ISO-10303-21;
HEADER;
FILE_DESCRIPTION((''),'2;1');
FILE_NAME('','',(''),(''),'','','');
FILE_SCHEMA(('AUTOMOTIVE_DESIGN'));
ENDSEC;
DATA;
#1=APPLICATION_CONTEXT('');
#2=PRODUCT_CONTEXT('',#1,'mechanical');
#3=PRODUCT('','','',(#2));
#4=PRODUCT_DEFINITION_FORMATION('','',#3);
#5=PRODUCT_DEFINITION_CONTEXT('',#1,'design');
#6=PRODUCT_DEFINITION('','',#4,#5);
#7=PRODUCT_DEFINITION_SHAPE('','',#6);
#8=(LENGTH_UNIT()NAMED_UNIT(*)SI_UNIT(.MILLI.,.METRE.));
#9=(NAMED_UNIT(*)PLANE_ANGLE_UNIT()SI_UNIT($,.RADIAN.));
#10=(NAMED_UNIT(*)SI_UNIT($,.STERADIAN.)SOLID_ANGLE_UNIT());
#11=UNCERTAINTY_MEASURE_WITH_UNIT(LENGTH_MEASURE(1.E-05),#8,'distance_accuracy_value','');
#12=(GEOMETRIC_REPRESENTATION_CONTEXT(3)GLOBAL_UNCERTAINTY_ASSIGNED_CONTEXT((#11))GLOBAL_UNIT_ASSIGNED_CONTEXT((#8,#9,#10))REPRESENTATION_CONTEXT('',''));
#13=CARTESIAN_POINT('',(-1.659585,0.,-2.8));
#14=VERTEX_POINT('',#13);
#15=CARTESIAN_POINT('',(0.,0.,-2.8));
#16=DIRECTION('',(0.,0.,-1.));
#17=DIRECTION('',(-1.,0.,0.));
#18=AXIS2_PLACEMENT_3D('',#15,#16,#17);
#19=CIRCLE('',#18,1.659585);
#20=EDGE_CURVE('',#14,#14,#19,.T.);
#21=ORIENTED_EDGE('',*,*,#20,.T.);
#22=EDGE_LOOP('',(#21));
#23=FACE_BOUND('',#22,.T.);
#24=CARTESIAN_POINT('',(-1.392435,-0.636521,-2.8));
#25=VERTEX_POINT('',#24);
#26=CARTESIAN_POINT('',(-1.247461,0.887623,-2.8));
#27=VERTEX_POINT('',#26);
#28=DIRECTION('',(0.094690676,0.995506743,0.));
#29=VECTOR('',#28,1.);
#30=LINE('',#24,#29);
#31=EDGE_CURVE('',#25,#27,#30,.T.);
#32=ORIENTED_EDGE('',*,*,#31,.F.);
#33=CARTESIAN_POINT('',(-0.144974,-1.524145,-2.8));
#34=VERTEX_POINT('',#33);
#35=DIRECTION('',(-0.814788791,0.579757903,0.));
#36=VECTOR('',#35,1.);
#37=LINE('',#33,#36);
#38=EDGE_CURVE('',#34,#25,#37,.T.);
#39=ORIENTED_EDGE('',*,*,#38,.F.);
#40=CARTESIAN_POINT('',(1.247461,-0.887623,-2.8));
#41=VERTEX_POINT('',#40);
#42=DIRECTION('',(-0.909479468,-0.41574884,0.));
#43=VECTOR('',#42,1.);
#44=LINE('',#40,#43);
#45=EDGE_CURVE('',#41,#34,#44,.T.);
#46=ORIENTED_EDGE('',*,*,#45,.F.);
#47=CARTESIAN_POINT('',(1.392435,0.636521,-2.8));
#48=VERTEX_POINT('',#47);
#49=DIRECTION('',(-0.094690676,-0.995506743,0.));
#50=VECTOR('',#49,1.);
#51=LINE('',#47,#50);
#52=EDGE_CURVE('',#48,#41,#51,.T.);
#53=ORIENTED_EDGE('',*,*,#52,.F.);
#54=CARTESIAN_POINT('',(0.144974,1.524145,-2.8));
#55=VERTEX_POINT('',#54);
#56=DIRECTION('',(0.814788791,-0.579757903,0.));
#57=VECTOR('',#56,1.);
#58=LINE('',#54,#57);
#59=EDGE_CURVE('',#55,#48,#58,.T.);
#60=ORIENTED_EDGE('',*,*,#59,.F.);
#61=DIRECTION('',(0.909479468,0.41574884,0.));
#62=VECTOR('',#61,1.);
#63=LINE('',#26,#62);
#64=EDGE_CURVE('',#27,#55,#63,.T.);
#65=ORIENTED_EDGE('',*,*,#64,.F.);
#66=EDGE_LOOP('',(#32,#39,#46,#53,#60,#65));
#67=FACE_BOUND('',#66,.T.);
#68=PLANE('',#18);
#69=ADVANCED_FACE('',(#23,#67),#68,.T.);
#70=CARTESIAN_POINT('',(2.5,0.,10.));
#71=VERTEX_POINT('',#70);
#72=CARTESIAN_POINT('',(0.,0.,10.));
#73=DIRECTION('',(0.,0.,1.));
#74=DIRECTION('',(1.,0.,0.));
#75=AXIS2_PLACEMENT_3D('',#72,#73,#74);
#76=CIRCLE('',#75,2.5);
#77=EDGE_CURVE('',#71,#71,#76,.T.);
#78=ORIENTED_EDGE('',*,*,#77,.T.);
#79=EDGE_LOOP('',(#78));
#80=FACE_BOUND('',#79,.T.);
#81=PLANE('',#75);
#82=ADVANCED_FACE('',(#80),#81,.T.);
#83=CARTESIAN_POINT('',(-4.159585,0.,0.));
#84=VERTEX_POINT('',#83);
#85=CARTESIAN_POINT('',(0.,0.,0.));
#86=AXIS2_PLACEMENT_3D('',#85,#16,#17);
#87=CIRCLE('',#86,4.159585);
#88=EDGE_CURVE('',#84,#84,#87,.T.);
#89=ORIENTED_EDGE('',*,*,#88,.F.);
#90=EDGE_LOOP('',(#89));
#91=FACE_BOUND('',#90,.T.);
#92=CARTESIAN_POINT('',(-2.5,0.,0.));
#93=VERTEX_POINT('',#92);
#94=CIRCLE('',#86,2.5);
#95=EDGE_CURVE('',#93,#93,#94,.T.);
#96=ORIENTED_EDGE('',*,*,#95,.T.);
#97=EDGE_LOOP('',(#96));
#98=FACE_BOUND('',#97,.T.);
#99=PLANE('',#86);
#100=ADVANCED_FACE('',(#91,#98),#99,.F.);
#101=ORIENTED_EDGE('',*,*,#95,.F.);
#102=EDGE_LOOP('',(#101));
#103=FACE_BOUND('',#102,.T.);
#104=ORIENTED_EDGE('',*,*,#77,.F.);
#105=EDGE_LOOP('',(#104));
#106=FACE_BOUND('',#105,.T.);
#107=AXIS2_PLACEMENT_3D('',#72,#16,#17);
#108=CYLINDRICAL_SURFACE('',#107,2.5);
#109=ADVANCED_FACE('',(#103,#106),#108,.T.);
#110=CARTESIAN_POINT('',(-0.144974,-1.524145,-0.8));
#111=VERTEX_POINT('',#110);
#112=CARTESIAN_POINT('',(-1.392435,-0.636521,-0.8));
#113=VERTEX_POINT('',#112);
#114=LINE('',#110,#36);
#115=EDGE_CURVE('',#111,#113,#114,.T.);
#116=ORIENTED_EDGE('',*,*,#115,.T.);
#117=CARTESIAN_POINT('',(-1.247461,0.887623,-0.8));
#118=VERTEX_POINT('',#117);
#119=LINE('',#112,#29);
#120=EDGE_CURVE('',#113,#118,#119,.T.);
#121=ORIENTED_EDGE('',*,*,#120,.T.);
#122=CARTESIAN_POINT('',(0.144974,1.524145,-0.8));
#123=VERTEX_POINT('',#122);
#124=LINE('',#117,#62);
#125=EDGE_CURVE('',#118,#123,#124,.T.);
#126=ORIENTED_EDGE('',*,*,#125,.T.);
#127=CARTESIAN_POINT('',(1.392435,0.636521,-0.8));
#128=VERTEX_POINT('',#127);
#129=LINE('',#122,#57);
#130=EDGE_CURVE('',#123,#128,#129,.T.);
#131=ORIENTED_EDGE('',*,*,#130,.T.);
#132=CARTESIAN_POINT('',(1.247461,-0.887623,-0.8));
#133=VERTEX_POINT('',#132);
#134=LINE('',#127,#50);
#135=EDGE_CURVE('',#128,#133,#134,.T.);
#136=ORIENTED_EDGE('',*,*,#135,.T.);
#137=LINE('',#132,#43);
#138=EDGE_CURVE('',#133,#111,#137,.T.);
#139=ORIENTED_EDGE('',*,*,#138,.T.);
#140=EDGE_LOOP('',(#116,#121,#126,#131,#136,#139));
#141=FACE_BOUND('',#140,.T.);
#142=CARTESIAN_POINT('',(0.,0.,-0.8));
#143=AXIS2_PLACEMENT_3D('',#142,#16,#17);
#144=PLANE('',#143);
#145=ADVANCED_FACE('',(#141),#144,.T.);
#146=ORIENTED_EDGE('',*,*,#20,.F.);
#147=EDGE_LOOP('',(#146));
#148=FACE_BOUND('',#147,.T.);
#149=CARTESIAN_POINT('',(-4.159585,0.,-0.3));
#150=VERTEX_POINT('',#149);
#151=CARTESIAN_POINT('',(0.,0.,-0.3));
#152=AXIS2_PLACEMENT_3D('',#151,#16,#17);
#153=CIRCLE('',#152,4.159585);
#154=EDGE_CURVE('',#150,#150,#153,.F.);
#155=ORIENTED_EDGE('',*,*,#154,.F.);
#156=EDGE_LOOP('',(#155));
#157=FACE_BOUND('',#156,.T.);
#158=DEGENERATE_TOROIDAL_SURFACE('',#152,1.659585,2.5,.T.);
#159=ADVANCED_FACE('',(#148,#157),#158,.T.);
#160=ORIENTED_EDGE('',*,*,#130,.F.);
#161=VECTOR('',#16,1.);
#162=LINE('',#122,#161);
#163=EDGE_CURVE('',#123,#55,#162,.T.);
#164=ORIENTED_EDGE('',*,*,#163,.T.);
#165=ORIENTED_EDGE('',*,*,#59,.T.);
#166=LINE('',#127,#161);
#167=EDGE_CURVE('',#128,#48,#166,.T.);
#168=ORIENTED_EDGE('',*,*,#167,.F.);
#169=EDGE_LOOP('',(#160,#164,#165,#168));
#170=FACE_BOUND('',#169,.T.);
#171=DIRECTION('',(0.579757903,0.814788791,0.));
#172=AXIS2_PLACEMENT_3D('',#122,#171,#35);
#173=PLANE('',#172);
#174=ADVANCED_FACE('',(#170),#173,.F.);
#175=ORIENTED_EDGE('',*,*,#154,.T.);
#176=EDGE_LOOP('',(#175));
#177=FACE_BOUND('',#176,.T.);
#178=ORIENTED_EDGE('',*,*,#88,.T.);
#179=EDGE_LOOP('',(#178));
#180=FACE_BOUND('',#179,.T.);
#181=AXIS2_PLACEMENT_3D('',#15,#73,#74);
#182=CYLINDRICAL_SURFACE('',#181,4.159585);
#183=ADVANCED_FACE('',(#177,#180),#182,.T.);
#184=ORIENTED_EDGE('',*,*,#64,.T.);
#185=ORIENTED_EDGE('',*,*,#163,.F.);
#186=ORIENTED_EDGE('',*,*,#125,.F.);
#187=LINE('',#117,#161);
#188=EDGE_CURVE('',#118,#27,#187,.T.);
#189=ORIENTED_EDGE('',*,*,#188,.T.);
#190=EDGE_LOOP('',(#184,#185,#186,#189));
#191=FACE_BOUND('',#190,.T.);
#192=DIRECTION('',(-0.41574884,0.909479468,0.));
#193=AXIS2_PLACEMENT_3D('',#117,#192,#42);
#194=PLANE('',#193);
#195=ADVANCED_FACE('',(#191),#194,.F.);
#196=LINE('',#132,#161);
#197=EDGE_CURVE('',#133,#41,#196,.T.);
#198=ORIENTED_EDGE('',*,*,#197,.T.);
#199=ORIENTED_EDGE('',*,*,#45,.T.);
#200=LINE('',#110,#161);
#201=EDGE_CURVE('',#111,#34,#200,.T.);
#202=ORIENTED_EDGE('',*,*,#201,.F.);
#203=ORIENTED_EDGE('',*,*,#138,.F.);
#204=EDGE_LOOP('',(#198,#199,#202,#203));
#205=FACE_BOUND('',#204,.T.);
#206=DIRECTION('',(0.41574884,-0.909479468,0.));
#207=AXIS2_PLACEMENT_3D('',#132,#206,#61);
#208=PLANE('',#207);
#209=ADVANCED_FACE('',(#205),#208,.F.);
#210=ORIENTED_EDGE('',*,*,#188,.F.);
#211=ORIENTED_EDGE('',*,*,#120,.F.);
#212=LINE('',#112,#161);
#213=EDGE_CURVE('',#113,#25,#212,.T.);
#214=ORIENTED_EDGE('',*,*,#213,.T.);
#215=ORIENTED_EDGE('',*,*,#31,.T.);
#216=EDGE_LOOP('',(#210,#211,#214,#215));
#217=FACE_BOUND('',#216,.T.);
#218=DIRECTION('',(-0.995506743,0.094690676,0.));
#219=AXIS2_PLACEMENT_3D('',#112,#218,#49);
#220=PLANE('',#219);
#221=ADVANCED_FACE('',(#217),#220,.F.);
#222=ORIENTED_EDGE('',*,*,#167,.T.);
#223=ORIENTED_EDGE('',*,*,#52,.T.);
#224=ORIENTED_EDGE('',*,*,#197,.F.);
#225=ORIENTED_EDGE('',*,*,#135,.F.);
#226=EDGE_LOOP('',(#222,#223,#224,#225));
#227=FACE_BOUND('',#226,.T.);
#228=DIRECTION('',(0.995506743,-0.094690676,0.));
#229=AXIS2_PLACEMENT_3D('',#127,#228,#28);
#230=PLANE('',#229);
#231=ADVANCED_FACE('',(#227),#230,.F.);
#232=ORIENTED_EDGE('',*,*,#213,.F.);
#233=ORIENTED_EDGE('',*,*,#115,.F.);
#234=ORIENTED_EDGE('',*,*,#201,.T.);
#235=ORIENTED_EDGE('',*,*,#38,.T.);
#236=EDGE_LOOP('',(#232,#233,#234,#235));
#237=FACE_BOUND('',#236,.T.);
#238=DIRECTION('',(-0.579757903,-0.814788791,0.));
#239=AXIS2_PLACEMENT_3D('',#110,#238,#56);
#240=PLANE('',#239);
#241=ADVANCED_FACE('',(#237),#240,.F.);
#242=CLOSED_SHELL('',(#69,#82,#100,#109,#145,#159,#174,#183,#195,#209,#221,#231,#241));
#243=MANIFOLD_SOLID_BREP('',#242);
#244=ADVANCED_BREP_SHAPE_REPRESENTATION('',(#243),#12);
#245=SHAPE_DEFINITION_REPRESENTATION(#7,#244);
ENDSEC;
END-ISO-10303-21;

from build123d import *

# Parameters (mm, degrees)
SKETCH1_R           = 2.5
BOSS_EXTRUDE1_DEPTH = 10
SKETCH2_R           = 4.159584877
BOSS_EXTRUDE2_DEPTH = 2.8
FILLET1_R           = 2.5
CUT_EXTRUDE1_DEPTH  = 2


with BuildPart() as part:
    # Sketch1 → Boss-Extrude1 (new body)
    with BuildSketch(Plane.XY):
        Circle(SKETCH1_R)
    extrude(amount=BOSS_EXTRUDE1_DEPTH)

    # Sketch2 → Boss-Extrude2 (add)
    with BuildSketch(Plane(origin=(0, 0, 0), x_dir=(-1, 0, 0), z_dir=(0, 0, -1))):
        Circle(SKETCH2_R)
    extrude(amount=BOSS_EXTRUDE2_DEPTH)

    # Fillet1
    fillet1_edges = [part.edges().sort_by_distance(p)[0] for p in [
        (4.159584877, 0, -2.8),
    ]]
    fillet(fillet1_edges, radius=FILLET1_R)

    # Sketch3 → Cut-Extrude1 (cut)
    with BuildSketch(Plane(origin=(0, 0, -2.8), x_dir=(-1, 0, 0), z_dir=(0, 0, -1))):
        Polygon((1.392434699, -0.636521364), (1.247461021, 0.88762314), (-0.144973678, 1.524144504), (-1.392434699, 0.636521364), (-1.247461021, -0.88762314), (0.144973678, -1.524144504), align=None)
    extrude(amount=-CUT_EXTRUDE1_DEPTH, mode=Mode.SUBTRACT)


solid = part.part
